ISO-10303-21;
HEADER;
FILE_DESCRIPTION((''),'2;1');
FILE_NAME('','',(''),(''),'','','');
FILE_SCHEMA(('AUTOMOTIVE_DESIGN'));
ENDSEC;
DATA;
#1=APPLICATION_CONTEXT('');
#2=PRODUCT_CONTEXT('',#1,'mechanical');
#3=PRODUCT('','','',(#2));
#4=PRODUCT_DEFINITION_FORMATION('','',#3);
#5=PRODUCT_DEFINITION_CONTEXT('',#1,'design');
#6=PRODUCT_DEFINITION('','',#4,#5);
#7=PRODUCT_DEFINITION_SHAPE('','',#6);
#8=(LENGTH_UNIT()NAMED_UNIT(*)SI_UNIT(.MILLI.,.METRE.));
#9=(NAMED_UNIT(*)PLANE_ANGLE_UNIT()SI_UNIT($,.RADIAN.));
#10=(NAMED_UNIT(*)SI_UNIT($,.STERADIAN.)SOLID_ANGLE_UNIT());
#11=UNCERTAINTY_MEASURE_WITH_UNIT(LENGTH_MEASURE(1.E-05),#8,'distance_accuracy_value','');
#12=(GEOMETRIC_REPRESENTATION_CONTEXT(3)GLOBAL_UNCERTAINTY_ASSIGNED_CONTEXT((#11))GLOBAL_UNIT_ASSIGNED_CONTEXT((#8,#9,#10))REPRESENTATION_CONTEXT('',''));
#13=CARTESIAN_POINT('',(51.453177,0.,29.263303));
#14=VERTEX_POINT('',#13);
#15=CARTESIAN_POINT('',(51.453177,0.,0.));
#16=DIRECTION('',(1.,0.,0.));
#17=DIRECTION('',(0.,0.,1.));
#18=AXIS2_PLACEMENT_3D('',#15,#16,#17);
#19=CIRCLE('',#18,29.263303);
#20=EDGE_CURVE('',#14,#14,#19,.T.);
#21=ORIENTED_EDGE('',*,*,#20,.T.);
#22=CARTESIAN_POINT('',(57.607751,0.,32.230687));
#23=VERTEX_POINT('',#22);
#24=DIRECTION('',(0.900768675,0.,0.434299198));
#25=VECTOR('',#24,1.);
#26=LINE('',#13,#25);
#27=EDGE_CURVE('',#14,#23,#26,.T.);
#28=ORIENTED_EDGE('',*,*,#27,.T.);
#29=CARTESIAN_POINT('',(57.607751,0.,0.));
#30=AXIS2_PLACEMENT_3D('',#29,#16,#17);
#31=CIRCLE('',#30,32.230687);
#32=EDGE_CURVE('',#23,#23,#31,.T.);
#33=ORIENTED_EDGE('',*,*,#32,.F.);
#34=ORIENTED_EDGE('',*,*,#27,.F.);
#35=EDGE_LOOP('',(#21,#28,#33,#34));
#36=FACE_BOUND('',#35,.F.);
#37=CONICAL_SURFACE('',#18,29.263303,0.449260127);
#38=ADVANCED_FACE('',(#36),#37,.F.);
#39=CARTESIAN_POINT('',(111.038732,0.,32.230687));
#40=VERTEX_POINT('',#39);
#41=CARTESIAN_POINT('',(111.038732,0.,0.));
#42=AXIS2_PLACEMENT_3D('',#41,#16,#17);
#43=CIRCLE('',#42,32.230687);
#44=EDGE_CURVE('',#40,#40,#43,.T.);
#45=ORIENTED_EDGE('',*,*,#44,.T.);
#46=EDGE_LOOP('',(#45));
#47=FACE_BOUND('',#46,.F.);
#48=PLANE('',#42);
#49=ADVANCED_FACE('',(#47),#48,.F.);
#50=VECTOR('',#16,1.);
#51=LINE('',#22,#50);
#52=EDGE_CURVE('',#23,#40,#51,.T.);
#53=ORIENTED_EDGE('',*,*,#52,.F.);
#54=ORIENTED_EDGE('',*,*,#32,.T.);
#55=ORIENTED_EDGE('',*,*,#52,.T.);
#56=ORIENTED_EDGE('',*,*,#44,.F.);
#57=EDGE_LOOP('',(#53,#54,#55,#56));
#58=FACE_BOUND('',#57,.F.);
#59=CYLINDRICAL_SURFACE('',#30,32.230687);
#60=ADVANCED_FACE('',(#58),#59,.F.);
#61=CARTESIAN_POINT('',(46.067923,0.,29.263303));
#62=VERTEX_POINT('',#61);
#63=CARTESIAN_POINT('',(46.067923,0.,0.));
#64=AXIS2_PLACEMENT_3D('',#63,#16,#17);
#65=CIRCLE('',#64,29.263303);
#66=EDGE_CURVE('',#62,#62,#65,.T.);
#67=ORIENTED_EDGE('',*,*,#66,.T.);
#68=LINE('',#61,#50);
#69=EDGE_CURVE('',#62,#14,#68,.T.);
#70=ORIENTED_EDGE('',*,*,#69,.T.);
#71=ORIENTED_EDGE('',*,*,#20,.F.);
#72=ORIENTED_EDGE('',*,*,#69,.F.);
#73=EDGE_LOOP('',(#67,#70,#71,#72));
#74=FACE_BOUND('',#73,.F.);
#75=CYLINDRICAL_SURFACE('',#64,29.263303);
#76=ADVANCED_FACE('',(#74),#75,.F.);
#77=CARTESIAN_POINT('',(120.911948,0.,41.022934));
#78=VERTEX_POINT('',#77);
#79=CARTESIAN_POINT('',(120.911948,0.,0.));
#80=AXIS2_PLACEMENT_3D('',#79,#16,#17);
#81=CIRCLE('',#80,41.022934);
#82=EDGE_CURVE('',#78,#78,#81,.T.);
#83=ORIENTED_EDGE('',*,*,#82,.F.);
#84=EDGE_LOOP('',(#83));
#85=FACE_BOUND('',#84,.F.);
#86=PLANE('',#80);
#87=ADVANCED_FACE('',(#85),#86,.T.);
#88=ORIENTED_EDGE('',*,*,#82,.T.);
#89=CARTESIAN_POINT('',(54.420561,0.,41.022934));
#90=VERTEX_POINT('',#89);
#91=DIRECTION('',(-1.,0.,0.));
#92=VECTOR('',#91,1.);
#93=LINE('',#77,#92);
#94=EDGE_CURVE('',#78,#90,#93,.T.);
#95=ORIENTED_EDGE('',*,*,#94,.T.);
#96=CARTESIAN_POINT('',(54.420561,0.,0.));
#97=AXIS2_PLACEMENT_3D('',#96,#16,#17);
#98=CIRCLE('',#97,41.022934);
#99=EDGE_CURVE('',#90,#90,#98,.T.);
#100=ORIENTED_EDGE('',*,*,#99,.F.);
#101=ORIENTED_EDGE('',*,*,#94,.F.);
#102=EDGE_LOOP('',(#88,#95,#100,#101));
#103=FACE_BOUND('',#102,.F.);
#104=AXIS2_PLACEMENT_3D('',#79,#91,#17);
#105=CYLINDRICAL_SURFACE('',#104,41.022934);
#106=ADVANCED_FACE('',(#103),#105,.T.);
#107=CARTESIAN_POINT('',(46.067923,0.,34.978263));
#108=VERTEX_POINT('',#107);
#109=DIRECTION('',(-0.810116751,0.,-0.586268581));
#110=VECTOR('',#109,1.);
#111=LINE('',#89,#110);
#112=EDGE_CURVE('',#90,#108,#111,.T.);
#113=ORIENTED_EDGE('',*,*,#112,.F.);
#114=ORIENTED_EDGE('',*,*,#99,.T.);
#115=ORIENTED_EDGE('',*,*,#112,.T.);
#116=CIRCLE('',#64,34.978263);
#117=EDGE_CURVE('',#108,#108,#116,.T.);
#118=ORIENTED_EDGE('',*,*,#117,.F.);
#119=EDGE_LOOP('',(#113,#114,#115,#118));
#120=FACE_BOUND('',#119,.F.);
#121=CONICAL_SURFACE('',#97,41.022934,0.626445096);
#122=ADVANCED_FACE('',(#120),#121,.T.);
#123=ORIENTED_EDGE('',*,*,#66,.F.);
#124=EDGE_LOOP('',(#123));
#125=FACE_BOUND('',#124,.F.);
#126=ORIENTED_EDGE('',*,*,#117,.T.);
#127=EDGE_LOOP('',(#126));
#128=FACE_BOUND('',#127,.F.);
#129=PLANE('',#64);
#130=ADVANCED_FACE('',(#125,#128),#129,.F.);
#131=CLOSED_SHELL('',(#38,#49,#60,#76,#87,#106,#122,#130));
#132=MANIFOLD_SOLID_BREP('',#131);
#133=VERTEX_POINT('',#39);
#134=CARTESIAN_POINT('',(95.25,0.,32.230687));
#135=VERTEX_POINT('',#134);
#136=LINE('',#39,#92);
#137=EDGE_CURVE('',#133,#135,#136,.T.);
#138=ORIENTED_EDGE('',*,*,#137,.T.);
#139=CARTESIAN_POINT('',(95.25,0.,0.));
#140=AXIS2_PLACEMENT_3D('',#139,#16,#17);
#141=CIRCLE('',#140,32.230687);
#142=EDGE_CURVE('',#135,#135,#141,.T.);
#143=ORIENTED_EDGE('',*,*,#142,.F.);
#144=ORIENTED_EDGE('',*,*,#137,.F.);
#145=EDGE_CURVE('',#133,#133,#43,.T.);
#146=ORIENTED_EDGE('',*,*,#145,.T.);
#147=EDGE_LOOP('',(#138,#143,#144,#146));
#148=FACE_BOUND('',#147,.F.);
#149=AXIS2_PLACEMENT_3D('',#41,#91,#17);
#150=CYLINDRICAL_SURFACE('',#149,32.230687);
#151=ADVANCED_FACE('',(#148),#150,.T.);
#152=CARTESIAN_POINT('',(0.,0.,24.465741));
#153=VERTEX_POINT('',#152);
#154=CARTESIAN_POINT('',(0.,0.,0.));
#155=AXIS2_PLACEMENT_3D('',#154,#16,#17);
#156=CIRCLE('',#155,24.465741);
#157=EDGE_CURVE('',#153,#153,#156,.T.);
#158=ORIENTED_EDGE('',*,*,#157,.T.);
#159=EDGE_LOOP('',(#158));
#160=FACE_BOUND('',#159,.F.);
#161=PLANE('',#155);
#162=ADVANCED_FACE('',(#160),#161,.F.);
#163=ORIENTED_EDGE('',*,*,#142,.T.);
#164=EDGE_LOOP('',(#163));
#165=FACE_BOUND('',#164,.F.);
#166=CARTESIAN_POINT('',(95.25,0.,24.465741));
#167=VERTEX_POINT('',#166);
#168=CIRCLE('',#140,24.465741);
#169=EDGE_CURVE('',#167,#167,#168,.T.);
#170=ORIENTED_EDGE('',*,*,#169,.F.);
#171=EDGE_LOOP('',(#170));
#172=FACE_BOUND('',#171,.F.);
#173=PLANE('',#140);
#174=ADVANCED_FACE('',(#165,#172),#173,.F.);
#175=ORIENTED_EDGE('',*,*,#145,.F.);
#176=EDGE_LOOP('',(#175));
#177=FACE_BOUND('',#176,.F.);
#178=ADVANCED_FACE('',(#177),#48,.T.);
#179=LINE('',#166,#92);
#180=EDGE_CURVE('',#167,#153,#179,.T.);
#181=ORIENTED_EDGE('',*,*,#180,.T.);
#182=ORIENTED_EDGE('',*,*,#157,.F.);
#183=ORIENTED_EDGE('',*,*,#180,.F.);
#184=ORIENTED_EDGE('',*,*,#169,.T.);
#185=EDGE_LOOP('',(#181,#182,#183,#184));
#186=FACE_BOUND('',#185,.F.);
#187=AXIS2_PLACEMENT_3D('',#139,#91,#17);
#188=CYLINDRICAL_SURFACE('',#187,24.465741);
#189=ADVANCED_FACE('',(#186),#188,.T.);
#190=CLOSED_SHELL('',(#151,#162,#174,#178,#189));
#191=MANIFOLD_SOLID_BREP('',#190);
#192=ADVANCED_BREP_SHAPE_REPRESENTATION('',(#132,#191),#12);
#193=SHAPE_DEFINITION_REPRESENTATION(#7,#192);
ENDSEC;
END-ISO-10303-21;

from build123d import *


with BuildPart() as f1:
    # F0 (on Front) → F1 (revolve)
    with BuildSketch(Plane.XZ):
        Polygon((0, 24.465741), (0, 0), (111.038732, 0), (111.038732, 32.230687), (95.25, 32.230687), (95.25, 24.465741), align=None)
    revolve(axis=Axis((0, 0, 0), (1, 0, 0)))


with BuildPart() as f3:
    # F2 (on Front) → F3 (revolve)
    with BuildSketch(Plane.XZ):
        Polygon((111.038732, 32.230687), (111.038732, 0), (120.911948, 0), (120.911948, 41.022934), (54.420561, 41.022934), (46.067923, 34.978263), (46.067923, 29.263303), (51.453177, 29.263303), (57.607751, 32.230687), align=None)
    revolve(axis=Axis((0, 0, 0), (1, 0, 0)))


solid = Compound([f1.part, f3.part])
